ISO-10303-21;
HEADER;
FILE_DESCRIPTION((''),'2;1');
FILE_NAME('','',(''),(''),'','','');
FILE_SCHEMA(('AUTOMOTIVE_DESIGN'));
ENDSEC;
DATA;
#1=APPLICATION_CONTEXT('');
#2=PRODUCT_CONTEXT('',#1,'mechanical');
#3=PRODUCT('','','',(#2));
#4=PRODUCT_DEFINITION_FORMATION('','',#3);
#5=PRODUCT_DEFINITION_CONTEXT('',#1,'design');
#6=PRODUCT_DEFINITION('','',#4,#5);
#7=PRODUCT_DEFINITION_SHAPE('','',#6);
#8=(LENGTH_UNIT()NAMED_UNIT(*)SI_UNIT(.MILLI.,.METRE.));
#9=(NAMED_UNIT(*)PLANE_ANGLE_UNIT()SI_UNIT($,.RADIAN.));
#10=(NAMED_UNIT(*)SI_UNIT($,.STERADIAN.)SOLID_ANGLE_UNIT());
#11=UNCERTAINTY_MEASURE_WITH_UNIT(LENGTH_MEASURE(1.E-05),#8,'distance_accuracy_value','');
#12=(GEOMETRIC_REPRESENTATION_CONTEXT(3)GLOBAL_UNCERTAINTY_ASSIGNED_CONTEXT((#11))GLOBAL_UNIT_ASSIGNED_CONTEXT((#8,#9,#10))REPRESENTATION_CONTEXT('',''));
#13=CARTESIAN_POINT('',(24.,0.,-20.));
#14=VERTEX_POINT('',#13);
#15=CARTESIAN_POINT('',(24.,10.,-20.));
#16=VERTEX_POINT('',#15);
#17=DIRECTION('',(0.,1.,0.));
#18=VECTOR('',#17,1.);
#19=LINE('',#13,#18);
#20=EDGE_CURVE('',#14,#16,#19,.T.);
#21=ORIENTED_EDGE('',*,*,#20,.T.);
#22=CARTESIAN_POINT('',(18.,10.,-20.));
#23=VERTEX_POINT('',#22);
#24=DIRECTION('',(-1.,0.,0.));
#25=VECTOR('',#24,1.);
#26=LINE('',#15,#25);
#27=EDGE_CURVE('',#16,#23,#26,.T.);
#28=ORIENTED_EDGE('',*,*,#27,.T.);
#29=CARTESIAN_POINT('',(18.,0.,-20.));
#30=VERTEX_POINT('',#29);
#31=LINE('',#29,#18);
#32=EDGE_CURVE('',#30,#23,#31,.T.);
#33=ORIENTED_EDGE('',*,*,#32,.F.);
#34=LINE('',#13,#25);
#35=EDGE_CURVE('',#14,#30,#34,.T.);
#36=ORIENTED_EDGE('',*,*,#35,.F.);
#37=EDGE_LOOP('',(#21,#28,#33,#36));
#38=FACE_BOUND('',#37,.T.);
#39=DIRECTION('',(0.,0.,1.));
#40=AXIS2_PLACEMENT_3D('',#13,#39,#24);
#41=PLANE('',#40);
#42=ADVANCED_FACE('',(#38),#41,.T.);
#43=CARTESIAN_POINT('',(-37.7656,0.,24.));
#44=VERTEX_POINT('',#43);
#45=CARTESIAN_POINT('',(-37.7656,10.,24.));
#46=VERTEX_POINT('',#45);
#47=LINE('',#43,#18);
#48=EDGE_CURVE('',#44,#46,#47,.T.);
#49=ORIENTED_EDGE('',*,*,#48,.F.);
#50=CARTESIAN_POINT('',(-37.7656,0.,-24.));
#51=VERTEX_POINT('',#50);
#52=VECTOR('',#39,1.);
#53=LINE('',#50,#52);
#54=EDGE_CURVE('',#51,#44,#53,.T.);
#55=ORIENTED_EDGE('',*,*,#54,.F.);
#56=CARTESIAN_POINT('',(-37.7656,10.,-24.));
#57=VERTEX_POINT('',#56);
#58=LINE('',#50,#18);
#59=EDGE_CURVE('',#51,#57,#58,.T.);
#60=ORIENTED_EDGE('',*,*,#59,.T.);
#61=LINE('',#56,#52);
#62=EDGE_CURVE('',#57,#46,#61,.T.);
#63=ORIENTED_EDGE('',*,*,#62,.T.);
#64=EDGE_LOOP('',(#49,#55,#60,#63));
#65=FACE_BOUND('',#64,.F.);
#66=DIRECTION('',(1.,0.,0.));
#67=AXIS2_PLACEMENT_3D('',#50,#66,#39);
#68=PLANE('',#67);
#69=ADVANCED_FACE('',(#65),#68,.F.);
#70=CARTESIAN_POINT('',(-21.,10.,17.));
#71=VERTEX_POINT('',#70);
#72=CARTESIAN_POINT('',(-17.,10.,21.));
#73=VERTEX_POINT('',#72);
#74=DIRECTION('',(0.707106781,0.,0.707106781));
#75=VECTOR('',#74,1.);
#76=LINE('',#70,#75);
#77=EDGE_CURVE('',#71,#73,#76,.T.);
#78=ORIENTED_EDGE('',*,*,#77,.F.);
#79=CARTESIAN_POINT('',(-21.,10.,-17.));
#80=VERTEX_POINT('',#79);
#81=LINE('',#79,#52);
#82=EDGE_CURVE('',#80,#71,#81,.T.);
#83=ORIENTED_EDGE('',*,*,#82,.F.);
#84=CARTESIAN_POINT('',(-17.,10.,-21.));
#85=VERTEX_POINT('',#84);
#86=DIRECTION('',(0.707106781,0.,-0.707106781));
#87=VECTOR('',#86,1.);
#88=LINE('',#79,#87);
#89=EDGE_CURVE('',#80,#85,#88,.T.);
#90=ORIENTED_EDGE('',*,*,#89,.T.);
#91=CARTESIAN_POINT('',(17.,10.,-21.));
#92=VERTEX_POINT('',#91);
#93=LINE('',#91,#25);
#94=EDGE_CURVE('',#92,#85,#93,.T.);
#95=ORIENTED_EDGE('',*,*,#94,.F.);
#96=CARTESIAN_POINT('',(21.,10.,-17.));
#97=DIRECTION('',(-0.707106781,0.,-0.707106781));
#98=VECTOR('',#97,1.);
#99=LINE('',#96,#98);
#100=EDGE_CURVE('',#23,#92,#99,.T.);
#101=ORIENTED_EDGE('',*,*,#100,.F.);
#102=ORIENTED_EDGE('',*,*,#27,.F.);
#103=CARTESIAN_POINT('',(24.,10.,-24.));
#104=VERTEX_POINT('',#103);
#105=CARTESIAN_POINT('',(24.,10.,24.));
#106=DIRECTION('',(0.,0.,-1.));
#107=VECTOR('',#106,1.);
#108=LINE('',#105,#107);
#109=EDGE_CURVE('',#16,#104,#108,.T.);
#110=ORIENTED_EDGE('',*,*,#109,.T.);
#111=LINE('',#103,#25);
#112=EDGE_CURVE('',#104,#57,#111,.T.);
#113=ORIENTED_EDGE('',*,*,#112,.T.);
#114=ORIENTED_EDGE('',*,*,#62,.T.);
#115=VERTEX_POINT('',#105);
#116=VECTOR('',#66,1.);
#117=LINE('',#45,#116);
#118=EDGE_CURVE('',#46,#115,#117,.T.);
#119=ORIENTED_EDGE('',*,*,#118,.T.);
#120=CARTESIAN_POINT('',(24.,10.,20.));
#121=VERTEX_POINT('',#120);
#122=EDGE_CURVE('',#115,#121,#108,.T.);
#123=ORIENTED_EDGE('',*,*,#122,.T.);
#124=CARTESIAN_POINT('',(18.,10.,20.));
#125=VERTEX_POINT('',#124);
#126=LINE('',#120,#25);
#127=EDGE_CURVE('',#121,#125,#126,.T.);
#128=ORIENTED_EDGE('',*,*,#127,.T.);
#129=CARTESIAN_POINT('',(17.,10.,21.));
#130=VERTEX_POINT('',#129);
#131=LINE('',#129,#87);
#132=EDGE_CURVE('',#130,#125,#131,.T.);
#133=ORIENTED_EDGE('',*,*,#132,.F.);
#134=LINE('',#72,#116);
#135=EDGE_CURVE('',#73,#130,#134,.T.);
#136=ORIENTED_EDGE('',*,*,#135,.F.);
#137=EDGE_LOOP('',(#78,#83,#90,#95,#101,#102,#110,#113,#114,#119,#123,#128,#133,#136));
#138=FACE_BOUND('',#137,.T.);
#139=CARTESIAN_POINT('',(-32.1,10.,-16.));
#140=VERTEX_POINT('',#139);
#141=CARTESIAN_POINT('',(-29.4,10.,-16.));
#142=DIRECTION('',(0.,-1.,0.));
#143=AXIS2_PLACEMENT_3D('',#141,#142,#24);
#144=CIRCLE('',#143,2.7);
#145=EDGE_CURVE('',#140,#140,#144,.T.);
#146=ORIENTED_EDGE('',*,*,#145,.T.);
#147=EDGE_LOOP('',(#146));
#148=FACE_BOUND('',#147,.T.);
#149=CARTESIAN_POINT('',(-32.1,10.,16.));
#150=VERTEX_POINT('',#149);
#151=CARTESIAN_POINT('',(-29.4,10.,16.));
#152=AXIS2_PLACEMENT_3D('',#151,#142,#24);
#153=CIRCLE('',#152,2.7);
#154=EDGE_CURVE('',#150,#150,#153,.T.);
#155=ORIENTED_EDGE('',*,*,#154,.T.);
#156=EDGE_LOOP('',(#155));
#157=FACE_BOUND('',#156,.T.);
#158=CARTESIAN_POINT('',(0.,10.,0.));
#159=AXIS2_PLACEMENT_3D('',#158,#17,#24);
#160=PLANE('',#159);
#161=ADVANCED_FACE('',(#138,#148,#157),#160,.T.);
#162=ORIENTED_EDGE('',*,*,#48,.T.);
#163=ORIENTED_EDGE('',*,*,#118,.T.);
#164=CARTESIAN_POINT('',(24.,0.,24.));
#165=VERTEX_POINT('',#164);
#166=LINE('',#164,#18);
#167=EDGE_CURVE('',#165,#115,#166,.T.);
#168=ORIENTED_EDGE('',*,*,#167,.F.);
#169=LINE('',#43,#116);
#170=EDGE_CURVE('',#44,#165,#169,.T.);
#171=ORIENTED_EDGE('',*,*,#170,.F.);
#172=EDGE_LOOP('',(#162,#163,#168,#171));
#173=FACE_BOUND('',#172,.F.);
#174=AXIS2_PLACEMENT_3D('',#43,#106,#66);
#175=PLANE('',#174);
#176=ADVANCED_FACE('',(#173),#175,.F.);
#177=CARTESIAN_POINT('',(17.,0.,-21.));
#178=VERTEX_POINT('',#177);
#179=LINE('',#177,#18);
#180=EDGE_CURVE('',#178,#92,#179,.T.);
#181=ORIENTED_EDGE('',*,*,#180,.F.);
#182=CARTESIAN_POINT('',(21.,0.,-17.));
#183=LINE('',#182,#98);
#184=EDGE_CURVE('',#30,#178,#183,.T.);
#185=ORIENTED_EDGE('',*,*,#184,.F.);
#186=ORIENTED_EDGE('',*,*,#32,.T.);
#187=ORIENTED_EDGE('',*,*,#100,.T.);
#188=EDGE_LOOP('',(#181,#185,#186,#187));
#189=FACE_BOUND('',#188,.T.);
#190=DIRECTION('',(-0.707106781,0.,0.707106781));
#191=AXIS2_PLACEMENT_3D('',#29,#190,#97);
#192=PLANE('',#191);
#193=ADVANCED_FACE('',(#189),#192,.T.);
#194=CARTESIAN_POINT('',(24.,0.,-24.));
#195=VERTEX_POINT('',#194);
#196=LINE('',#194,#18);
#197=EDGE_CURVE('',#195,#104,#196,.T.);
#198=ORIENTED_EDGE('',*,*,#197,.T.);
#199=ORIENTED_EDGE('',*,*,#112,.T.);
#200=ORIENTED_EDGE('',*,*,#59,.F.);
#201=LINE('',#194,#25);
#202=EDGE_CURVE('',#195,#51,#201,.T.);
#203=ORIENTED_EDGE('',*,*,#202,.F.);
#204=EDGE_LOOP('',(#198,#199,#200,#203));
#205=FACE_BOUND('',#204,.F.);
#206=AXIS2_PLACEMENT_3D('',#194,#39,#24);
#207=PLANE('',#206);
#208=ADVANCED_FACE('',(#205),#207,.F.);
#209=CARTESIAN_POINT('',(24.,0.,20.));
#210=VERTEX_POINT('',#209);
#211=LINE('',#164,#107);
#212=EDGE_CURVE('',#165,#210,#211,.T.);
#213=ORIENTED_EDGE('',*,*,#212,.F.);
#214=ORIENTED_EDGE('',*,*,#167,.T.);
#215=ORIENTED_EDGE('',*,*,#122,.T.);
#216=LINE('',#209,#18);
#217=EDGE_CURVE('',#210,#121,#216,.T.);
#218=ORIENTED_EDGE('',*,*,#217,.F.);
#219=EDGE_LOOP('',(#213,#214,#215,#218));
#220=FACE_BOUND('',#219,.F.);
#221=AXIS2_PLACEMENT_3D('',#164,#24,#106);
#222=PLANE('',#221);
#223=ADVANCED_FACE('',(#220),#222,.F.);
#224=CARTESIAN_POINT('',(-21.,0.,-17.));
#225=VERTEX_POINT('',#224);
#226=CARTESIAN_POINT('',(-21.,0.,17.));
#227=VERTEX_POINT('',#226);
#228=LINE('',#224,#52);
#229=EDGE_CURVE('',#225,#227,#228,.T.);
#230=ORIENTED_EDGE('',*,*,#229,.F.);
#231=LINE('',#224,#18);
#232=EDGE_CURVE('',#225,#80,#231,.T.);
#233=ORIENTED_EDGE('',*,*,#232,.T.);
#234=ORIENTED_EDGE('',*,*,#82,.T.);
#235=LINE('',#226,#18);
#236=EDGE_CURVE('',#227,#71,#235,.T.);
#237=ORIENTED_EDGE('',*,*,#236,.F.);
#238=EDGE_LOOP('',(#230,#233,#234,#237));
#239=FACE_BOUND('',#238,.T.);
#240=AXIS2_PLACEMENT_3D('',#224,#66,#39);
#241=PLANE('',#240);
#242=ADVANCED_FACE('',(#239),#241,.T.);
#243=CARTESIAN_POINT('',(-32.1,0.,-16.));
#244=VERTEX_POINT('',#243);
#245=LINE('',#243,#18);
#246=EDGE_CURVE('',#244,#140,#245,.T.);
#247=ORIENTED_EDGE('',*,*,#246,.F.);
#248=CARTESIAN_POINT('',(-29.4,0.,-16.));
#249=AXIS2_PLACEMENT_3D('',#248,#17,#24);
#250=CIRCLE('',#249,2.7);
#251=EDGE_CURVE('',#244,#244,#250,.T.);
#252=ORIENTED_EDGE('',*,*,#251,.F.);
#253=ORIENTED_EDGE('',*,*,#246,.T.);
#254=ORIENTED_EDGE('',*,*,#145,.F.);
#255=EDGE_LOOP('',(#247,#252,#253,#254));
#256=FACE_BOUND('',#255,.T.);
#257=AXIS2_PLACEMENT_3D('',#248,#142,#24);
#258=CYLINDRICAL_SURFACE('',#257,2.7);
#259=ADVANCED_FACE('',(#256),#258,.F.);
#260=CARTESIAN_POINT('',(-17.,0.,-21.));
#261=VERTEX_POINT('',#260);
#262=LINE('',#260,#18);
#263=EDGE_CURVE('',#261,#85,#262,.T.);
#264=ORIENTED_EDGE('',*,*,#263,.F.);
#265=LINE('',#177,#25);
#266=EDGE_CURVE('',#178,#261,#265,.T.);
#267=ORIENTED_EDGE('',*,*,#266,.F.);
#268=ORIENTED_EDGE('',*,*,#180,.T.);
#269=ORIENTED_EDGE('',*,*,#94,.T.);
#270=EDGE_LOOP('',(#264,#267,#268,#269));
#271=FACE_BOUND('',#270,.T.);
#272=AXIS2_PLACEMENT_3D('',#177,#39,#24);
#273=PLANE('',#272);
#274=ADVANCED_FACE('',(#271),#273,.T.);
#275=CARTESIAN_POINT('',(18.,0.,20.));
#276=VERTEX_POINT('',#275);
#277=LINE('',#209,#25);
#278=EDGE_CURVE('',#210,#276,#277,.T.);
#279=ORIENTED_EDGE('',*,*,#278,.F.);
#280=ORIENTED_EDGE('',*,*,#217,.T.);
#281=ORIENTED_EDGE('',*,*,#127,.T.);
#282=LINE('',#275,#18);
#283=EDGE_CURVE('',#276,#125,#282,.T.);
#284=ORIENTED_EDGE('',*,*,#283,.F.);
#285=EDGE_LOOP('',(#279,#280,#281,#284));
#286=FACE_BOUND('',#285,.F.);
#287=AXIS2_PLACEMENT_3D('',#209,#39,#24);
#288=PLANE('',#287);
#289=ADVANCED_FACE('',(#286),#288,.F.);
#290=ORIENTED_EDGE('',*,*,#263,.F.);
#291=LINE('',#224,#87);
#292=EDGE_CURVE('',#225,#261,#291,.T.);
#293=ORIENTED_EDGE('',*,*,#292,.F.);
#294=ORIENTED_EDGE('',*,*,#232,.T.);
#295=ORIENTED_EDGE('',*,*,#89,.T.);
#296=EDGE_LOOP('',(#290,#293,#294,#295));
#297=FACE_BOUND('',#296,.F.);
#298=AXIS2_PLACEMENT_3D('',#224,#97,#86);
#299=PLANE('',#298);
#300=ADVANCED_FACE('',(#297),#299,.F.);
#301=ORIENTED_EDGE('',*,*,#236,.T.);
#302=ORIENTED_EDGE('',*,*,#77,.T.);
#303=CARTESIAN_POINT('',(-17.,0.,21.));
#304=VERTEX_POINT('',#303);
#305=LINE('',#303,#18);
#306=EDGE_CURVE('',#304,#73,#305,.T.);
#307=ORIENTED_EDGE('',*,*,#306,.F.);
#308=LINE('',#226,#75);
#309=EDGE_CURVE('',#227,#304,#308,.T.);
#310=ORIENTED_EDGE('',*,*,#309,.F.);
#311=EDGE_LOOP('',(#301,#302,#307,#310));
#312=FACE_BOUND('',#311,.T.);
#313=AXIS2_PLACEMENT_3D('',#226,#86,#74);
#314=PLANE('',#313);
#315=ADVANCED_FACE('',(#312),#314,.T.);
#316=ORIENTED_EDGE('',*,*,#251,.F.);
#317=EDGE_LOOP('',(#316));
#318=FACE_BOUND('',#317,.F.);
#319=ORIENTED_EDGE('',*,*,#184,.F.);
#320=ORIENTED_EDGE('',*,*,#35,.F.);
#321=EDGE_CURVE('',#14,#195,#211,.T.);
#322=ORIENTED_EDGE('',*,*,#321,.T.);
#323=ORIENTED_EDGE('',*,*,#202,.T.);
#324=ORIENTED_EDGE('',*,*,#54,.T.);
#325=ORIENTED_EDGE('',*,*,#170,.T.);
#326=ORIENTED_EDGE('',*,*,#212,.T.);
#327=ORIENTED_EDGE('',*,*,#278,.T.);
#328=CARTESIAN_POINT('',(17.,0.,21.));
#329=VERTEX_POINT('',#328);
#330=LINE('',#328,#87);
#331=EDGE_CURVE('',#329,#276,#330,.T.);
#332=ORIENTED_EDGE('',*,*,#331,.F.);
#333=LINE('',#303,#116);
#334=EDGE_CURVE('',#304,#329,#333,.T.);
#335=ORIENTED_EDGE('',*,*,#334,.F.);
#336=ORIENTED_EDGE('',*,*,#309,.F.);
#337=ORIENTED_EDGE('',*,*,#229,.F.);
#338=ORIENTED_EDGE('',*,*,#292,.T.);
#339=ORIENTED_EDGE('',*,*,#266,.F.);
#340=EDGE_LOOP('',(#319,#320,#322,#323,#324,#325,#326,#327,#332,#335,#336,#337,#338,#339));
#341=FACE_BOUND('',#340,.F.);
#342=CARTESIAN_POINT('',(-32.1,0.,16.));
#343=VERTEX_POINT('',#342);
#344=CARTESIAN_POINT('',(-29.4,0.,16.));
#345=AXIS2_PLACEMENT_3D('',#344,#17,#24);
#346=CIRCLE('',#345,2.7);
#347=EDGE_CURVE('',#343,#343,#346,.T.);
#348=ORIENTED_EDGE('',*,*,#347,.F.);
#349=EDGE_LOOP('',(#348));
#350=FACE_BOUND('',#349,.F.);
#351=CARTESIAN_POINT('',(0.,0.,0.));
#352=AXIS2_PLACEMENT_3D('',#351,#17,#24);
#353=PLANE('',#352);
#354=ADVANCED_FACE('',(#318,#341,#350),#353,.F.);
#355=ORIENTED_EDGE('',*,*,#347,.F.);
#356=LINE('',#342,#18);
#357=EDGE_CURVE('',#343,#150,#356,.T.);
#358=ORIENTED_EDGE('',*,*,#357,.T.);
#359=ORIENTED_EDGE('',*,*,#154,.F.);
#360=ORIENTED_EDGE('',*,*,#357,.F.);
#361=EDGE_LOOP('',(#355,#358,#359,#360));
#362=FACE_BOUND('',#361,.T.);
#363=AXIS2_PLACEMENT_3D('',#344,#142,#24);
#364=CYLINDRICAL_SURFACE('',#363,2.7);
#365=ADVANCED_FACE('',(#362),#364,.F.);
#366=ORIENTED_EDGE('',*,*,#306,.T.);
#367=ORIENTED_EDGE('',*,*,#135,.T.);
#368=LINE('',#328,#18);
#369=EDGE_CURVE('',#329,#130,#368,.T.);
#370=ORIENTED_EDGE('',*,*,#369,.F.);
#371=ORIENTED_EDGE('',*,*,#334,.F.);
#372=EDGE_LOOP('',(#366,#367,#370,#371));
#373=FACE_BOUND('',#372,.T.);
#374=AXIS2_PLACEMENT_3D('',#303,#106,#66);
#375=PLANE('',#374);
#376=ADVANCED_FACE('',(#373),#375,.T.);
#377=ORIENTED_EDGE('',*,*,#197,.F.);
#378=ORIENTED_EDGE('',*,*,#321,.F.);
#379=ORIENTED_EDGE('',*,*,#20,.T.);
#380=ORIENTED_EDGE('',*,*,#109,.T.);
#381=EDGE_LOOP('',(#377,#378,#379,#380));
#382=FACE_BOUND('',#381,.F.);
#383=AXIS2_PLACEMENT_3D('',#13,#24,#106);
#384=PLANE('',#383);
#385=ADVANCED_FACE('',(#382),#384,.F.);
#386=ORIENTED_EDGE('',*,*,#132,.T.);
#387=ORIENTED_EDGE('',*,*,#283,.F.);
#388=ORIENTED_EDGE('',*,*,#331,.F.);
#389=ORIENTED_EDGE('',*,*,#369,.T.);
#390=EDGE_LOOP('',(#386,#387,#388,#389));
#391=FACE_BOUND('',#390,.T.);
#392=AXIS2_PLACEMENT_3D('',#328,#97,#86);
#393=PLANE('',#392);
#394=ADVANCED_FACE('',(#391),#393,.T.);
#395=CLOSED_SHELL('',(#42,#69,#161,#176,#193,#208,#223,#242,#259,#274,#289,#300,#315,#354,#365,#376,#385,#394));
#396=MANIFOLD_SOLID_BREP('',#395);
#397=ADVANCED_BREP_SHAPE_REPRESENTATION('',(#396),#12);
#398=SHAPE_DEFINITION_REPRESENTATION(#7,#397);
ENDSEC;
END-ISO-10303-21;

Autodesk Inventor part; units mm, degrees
ref_plane "YZ Plane" through (0, 0, 0) normal (1, 0, 0) x (0, 1, 0)
ref_plane "XZ Plane" through (0, 0, 0) normal (0, 1, 0) x (-1, 0, 0)
ref_plane "XY Plane" through (0, 0, 0) normal (0, 0, 1) x (1, 0, 0)
sketch "Sketch1" plane through (0, 0, 0) normal (0, 1, 0) x (-1, 0, 0)
  circle A0 centre (15.5, 15.5) radius 1.5
  circle A1 centre (15.5, -15.5) radius 1.5
  circle A2 centre (-15.5, -15.5) radius 1.5
  circle A3 centre (-15.5, 15.5) radius 1.5
  circle A4 centre (0, 0) radius 11
  circle A5 centre (0, 0) radius 4
  line L0 (21, -17) -> (17, -21)
  line L1 (21, 17) -> (17, 21)
  line L2 (-17, -21) -> (-21, -17)
  line L3 (-21, 17) -> (-17, 21)
  circle A6 centre (0, 0) radius 2.5
  line L4 (17, -21) -> (-17, -21)
  line L5 (-21, -17) -> (-21, 17)
  line L6 (-17, 21) -> (17, 21)
  line L7 (21, 17) -> (21, -17)
  line L8 (0, -15.5) -> (-15.5, -15.5) construction
  line L9 (0, -15.5) -> (15.5, -15.5) construction
  line L10 (15.5, -15.5) -> (15.5, 15.5) construction
  line L11 (-15.5, -15.5) -> (-15.5, 15.5) construction
  line L12 (0, -21) -> (0, 0) construction
  line L13 (0, 0) -> (21, 0) construction
  point P0 (0, 0)
  dimension "d0" = 31
  dimension "d1" = 31
  dimension "d2" = 31
  dimension "d3" = 31
  dimension "d4" = 3
  dimension "d5" = 3
  dimension "d6" = 3
  dimension "d7" = 3
  dimension "d8" = 22
  dimension "d9" = 8
  dimension "d10" = 5
  dimension "d11" = 15.5
  dimension "d12" = 42
  dimension "d13" = 42
  dimension "d14" = 15.5
  dimension "d15" = 21
  dimension "d16" = 21
  dimension "d17" = 34
  dimension "d18" = 34
  dimension "d19" = 135
sketch "Sketch2" plane through (0, 0, 0) normal (0, 1, 0) x (-1, 0, 0)
  line L0 (-15.5, 15.5) -> (15.5, 15.5) construction
  line L1 (15.5, 15.5) -> (15.5, -15.5) construction
  line L2 (15.5, -15.5) -> (-15.5, -15.5) construction
  line L3 (-15.5, -15.5) -> (-15.5, 15.5) construction
  line L4 (-15.5, 15.5) -> (15.5, -15.5) construction
  line L5 (15.5, 15.5) -> (-15.5, -15.5) construction
  circle A0 centre (-15.5, -15.5) radius 1.6
  circle A1 centre (15.5, -15.5) radius 1.6
  circle A2 centre (15.5, 15.5) radius 1.6
  circle A3 centre (-15.5, 15.5) radius 1.6
  line L6 (21, -17) -> (17, -21)
  line L7 (21, -17) -> (21, 17)
  line L8 (21, 17) -> (17, 21)
  line L9 (17, 21) -> (-17, 21)
  line L10 (-17, 21) -> (-21, 17)
  line L11 (-21, 17) -> (-21, -17)
  line L12 (-21, -17) -> (-17, -21)
  line L13 (-17, -21) -> (17, -21)
  line L14 (0, -21) -> (0, -15.5) construction
  line L15 (0, 15.5) -> (0, 21) construction
  line L16 (-15.5, 0) -> (-21, 0) construction
  line L17 (15.5, 0) -> (21, 0) construction
  line L18 (-24, -24) -> (37.7656, -24)
  line L19 (37.7656, -24) -> (37.7656, 24)
  line L20 (37.7656, 24) -> (-24, 24)
  line L21 (-24, 24) -> (-24, -24)
  line L22 (-24, 20) -> (-18, 20)
  line L23 (-24, -20) -> (-18, -20)
  line L24 (-18, 20) -> (-18, 24) construction
  line L25 (-18, -20) -> (-18, -24) construction
  point P0 (0, 0)
  dimension "d20" = 31
  dimension "d22" = 3.2
  dimension "d23" = 135
  dimension "d24" = 42
  dimension "d25" = 34
  dimension "d33" = 3
  dimension "d34" = 3
  dimension "d35" = 3
  dimension "d37" = 40
sketch "Sketch3" plane through (0, 0, 0) normal (0, 1, 0) x (-1, 0, 0)
  line L0 (29.4, -16) -> (29.4, 16) construction
  circle A0 centre (29.4, -16) radius 2.7
  circle A1 centre (29.4, 16) radius 2.7
  line L1 (0, 0) -> (29.4, 0)
  dimension "d30" = 32
  dimension "d31" = 5.4
  dimension "d32" = 29.4
extrude "Extrusion1" add sketch "Sketch2" along normal blind 10 contours L7 L8 L9 L10 L22 L21 L20 L19 L18 L23 L12 L13 L6
extrude "Extrusion2" cut sketch "Sketch3" along normal through all
equation "\"d1\" = d0"
equation "\"d2\" = d0"
equation "\"d3\" = d0"
equation "\"d5\" = d4"
equation "\"d6\" = d4"
equation "\"d7\" = d4"
equation "\"d11\" = 0.5 * d0"
equation "\"d13\" = d12"
equation "\"d14\" = 0.5 * d0"
equation "\"d15\" = 0.5 * d12"
equation "\"d16\" = 0.5 * d13"
equation "\"d34\" = d33"
properties part number "Stepper Z Mount"
